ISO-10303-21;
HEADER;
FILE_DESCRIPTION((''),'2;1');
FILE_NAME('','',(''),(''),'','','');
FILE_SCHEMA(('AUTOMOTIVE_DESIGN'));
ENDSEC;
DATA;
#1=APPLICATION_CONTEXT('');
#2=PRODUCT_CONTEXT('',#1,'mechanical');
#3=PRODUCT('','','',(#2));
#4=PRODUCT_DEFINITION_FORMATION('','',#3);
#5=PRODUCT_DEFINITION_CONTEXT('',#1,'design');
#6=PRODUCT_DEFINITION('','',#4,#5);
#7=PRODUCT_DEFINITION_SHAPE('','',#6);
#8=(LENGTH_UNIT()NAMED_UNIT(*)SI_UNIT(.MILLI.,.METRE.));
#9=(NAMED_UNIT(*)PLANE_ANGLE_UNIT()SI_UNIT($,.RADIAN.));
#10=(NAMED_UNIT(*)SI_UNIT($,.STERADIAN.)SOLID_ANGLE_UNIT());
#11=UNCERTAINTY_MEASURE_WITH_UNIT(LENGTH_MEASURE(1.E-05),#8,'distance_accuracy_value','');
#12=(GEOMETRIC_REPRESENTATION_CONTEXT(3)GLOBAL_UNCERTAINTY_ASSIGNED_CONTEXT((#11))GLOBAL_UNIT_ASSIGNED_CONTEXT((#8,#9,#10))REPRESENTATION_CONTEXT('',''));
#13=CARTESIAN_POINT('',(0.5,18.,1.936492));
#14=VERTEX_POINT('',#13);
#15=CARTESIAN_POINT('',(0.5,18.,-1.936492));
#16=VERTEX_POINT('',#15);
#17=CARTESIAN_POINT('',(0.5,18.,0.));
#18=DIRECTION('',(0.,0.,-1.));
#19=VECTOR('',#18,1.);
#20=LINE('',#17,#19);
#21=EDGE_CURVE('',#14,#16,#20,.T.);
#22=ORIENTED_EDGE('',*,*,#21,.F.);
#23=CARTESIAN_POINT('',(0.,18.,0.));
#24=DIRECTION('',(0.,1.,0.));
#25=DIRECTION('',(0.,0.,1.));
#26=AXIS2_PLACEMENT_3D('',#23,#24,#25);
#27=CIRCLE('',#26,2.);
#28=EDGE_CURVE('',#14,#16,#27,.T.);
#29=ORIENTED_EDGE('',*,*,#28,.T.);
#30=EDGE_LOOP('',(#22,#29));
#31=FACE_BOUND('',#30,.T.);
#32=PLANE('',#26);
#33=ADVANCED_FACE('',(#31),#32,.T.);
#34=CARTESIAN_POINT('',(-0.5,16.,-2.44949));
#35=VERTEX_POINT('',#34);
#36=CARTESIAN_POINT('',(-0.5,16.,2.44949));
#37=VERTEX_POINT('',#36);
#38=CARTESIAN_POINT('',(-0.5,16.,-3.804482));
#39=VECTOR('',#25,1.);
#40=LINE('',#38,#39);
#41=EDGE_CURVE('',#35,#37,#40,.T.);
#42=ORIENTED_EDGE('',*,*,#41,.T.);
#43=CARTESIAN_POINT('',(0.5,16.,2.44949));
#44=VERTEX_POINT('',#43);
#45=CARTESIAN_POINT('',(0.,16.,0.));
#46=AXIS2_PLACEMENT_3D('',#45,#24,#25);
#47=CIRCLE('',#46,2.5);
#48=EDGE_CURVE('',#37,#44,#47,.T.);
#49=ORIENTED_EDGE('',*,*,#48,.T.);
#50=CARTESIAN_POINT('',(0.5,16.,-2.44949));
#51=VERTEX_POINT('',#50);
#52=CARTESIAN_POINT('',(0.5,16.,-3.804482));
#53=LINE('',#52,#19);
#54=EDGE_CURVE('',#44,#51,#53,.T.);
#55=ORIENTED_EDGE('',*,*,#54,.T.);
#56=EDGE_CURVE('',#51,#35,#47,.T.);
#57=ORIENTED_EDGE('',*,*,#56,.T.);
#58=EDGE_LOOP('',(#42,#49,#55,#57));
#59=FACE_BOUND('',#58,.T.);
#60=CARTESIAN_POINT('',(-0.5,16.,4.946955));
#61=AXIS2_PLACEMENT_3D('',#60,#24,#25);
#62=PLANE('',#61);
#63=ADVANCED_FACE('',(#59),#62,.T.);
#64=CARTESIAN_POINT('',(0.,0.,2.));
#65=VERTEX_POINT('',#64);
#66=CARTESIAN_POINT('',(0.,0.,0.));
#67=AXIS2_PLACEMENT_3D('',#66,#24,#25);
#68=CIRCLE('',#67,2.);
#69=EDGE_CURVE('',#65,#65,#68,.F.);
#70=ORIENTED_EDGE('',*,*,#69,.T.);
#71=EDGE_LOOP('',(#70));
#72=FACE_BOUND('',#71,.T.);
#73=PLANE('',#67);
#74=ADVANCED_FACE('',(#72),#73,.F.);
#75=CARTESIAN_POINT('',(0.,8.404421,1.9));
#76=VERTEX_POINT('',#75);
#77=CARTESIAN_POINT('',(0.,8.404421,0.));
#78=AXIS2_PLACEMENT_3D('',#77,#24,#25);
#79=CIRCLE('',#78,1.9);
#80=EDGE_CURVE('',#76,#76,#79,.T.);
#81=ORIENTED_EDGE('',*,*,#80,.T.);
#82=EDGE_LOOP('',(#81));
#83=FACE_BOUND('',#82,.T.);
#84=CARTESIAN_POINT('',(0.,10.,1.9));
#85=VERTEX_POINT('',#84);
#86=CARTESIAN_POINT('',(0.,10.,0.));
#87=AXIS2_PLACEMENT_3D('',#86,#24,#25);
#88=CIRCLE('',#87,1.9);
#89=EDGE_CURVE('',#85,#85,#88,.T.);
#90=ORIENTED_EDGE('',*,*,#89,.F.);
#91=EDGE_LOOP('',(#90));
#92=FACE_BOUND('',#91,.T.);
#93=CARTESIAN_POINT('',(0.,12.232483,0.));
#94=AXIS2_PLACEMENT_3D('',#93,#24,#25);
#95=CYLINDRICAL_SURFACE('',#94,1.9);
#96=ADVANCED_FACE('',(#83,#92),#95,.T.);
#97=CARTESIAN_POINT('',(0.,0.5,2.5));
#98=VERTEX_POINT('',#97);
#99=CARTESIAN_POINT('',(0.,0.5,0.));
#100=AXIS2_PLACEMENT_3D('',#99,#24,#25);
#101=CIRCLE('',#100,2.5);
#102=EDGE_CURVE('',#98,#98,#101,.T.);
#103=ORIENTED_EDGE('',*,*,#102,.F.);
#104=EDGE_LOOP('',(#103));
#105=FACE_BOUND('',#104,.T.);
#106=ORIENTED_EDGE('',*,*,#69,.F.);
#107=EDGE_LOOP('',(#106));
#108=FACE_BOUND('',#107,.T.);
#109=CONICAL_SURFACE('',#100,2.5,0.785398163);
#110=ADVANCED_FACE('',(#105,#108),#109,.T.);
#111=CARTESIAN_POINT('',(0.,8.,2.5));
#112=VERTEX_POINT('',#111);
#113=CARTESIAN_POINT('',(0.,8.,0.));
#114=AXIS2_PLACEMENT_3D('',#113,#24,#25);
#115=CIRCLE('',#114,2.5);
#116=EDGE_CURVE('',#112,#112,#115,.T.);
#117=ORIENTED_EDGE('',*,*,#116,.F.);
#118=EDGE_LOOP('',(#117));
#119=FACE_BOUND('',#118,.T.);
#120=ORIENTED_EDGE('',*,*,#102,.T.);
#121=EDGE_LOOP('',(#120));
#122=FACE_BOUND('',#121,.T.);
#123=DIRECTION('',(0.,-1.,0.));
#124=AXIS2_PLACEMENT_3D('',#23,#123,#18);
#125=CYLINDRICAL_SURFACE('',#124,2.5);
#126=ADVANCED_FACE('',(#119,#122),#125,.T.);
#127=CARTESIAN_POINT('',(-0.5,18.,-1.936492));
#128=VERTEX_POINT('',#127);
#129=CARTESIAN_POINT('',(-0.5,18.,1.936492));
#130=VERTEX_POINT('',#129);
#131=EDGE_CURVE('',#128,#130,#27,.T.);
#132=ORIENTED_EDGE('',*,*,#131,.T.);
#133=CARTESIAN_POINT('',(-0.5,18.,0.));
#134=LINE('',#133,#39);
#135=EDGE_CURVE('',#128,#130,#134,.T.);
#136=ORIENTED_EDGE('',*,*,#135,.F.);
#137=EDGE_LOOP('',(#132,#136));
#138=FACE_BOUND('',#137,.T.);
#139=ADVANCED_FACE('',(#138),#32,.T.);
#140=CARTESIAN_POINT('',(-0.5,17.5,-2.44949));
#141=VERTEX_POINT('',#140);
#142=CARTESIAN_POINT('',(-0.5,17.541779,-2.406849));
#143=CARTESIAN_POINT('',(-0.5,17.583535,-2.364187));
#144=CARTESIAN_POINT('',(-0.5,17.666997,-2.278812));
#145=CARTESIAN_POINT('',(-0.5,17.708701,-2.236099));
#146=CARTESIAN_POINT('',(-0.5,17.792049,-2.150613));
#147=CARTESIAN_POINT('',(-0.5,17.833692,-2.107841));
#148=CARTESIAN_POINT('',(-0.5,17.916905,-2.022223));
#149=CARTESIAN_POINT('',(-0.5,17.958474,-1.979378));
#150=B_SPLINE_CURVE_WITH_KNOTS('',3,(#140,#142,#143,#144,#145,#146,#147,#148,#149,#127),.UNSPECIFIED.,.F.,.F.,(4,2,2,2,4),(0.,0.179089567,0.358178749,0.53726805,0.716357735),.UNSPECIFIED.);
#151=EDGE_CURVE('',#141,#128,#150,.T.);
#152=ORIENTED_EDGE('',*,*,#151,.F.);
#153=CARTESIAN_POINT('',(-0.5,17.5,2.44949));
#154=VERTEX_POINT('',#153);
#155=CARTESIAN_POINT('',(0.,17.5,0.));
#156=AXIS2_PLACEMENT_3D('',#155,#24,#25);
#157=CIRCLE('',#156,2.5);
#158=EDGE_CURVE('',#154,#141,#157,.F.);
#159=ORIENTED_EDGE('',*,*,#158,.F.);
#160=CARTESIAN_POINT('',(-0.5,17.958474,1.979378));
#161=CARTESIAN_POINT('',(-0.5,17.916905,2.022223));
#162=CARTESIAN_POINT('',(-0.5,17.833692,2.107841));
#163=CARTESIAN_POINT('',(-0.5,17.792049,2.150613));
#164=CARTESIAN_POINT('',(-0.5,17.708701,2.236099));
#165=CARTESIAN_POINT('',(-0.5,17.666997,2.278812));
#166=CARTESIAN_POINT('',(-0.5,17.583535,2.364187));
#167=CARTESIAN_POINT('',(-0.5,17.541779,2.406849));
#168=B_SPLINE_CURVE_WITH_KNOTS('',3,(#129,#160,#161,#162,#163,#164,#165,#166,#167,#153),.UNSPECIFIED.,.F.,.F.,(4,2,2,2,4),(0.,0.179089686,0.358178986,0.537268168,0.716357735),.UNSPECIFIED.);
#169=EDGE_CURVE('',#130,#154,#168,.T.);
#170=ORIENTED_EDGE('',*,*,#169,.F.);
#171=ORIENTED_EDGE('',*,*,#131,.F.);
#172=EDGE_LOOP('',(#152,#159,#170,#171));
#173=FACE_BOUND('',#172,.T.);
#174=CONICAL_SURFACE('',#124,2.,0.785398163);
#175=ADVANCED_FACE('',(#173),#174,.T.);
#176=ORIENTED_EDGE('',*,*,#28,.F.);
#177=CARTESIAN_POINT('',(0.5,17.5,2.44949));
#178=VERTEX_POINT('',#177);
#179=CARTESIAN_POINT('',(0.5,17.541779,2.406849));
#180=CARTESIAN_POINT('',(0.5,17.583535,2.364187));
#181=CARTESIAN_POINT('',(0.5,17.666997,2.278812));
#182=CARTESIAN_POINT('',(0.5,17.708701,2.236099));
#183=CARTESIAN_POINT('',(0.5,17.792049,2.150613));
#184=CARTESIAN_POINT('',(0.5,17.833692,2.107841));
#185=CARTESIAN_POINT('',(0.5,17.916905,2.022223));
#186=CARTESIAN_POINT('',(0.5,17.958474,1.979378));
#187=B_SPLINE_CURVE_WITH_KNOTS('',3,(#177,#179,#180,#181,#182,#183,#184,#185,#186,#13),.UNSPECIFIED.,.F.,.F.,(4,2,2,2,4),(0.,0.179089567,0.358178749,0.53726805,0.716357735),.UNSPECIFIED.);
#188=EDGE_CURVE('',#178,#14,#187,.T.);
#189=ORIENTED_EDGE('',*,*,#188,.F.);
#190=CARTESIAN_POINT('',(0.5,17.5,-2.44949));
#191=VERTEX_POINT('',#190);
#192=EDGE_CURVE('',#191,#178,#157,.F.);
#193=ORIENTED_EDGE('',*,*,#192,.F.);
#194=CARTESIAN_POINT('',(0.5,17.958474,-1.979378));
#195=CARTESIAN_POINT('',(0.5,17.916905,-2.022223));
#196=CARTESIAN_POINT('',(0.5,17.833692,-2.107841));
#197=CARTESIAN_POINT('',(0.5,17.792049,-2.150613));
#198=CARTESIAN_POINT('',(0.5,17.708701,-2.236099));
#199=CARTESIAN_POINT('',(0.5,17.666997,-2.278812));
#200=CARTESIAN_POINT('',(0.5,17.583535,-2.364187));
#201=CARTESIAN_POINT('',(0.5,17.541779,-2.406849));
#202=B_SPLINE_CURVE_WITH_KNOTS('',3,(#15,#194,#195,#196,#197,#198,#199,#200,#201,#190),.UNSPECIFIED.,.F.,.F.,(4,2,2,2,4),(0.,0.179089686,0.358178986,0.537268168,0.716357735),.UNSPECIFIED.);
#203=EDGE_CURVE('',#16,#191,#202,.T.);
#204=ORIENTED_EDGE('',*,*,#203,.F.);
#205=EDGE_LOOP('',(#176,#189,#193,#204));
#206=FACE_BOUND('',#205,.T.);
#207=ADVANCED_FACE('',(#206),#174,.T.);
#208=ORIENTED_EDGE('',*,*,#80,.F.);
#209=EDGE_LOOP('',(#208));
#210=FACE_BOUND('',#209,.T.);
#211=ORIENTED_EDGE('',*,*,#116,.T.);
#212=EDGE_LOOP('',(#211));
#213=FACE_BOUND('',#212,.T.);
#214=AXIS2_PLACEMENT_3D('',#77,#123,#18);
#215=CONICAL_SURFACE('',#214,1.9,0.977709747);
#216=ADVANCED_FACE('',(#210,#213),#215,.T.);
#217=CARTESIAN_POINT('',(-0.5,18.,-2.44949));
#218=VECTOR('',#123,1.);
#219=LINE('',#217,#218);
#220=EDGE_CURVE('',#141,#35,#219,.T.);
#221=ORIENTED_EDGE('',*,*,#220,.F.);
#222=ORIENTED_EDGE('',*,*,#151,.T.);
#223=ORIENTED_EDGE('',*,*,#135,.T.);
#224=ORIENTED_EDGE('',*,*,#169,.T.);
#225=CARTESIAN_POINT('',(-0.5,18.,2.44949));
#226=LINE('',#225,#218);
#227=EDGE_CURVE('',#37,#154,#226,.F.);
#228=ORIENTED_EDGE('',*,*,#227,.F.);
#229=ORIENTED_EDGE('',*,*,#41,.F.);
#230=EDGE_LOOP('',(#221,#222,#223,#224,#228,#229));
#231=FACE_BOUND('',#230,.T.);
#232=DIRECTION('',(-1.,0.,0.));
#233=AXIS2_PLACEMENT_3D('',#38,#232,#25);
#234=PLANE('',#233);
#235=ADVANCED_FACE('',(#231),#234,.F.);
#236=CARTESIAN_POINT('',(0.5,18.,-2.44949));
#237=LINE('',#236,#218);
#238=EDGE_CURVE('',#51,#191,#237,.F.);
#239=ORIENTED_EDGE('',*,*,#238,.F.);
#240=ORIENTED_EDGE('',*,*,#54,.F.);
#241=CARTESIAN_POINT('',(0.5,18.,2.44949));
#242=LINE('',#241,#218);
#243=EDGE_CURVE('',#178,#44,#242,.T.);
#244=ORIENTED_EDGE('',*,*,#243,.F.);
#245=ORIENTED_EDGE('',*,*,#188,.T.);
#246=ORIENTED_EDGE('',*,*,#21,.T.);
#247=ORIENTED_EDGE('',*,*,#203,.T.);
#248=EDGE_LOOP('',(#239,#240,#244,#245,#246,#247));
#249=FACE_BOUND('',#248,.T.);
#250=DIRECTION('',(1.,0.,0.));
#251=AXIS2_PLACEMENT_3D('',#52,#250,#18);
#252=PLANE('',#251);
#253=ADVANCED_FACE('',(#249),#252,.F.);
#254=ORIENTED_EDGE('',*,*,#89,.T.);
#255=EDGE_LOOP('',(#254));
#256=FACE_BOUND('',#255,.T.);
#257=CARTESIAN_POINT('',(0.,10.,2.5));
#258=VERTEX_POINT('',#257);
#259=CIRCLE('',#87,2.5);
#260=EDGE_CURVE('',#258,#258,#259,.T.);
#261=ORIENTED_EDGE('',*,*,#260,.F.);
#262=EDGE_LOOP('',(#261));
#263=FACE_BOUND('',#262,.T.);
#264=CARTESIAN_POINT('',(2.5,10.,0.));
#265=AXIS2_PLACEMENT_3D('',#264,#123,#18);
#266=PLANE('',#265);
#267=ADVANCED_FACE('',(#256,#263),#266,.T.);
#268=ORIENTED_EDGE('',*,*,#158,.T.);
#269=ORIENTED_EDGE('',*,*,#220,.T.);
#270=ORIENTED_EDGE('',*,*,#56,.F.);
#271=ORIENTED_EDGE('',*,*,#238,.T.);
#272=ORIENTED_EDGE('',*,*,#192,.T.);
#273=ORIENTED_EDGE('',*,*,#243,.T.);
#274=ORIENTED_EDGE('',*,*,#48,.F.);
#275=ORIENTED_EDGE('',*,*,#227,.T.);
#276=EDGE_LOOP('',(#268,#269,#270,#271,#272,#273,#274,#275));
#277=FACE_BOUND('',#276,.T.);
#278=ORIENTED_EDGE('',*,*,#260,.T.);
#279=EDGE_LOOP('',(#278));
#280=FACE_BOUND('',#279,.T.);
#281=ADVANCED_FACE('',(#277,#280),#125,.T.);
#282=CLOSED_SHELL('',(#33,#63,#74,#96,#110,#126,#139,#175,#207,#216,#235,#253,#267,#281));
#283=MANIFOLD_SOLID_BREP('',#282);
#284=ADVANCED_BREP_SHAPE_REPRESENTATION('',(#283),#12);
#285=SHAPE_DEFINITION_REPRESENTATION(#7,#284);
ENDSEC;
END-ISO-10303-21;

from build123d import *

# Parameters (mm, degrees)
SKIZZE1_R                       = 2.5
AUFSATZ_LINEAR_AUSTRAGEN1_DEPTH = 18
SKIZZE2_W                       = 1
SKIZZE2_H                       = 8.751437557
SCHNITT_LINEAR_AUSTRAGEN1_DEPTH = 2
FASE1_SIZE                      = 0.5


with BuildPart() as part:
    # Skizze1 → Aufsatz-Linear austragen1 (new body)
    with BuildSketch(Plane(origin=(0, 0, 0), x_dir=(1, 0, 0), z_dir=(0, 1, 0))):
        Circle(SKIZZE1_R)
    extrude(amount=AUFSATZ_LINEAR_AUSTRAGEN1_DEPTH)

    # Skizze2 → Schnitt-Linear austragen1 (cut)
    with BuildSketch(Plane(origin=(0, 18, 0), x_dir=(1, 0, 0), z_dir=(0, 1, 0))):
        with Locations((0, -0.571236499)):
            Rectangle(SKIZZE2_W, SKIZZE2_H)
    extrude(amount=-SCHNITT_LINEAR_AUSTRAGEN1_DEPTH, mode=Mode.SUBTRACT)

    # Fase1
    fase1_edges = [part.edges().sort_by_distance(p)[0] for p in [
        (-2.5, 0, 0),
        (1.936491673, 18, 1.58113883),
        (-2.5, 18, 0),
    ]]
    chamfer(fase1_edges, length=FASE1_SIZE)

    # Skizze3 → Schnitt-Rotation1 (revolve, cut)
    with BuildSketch(Plane.XY):
        Polygon((2.5, 10), (1.9, 10), (1.9, 8.404421135), (2.5, 8), align=None)
    revolve(axis=Axis((0, 12.232483269, 0), (0, -1, 0)), mode=Mode.SUBTRACT)


solid = part.part
